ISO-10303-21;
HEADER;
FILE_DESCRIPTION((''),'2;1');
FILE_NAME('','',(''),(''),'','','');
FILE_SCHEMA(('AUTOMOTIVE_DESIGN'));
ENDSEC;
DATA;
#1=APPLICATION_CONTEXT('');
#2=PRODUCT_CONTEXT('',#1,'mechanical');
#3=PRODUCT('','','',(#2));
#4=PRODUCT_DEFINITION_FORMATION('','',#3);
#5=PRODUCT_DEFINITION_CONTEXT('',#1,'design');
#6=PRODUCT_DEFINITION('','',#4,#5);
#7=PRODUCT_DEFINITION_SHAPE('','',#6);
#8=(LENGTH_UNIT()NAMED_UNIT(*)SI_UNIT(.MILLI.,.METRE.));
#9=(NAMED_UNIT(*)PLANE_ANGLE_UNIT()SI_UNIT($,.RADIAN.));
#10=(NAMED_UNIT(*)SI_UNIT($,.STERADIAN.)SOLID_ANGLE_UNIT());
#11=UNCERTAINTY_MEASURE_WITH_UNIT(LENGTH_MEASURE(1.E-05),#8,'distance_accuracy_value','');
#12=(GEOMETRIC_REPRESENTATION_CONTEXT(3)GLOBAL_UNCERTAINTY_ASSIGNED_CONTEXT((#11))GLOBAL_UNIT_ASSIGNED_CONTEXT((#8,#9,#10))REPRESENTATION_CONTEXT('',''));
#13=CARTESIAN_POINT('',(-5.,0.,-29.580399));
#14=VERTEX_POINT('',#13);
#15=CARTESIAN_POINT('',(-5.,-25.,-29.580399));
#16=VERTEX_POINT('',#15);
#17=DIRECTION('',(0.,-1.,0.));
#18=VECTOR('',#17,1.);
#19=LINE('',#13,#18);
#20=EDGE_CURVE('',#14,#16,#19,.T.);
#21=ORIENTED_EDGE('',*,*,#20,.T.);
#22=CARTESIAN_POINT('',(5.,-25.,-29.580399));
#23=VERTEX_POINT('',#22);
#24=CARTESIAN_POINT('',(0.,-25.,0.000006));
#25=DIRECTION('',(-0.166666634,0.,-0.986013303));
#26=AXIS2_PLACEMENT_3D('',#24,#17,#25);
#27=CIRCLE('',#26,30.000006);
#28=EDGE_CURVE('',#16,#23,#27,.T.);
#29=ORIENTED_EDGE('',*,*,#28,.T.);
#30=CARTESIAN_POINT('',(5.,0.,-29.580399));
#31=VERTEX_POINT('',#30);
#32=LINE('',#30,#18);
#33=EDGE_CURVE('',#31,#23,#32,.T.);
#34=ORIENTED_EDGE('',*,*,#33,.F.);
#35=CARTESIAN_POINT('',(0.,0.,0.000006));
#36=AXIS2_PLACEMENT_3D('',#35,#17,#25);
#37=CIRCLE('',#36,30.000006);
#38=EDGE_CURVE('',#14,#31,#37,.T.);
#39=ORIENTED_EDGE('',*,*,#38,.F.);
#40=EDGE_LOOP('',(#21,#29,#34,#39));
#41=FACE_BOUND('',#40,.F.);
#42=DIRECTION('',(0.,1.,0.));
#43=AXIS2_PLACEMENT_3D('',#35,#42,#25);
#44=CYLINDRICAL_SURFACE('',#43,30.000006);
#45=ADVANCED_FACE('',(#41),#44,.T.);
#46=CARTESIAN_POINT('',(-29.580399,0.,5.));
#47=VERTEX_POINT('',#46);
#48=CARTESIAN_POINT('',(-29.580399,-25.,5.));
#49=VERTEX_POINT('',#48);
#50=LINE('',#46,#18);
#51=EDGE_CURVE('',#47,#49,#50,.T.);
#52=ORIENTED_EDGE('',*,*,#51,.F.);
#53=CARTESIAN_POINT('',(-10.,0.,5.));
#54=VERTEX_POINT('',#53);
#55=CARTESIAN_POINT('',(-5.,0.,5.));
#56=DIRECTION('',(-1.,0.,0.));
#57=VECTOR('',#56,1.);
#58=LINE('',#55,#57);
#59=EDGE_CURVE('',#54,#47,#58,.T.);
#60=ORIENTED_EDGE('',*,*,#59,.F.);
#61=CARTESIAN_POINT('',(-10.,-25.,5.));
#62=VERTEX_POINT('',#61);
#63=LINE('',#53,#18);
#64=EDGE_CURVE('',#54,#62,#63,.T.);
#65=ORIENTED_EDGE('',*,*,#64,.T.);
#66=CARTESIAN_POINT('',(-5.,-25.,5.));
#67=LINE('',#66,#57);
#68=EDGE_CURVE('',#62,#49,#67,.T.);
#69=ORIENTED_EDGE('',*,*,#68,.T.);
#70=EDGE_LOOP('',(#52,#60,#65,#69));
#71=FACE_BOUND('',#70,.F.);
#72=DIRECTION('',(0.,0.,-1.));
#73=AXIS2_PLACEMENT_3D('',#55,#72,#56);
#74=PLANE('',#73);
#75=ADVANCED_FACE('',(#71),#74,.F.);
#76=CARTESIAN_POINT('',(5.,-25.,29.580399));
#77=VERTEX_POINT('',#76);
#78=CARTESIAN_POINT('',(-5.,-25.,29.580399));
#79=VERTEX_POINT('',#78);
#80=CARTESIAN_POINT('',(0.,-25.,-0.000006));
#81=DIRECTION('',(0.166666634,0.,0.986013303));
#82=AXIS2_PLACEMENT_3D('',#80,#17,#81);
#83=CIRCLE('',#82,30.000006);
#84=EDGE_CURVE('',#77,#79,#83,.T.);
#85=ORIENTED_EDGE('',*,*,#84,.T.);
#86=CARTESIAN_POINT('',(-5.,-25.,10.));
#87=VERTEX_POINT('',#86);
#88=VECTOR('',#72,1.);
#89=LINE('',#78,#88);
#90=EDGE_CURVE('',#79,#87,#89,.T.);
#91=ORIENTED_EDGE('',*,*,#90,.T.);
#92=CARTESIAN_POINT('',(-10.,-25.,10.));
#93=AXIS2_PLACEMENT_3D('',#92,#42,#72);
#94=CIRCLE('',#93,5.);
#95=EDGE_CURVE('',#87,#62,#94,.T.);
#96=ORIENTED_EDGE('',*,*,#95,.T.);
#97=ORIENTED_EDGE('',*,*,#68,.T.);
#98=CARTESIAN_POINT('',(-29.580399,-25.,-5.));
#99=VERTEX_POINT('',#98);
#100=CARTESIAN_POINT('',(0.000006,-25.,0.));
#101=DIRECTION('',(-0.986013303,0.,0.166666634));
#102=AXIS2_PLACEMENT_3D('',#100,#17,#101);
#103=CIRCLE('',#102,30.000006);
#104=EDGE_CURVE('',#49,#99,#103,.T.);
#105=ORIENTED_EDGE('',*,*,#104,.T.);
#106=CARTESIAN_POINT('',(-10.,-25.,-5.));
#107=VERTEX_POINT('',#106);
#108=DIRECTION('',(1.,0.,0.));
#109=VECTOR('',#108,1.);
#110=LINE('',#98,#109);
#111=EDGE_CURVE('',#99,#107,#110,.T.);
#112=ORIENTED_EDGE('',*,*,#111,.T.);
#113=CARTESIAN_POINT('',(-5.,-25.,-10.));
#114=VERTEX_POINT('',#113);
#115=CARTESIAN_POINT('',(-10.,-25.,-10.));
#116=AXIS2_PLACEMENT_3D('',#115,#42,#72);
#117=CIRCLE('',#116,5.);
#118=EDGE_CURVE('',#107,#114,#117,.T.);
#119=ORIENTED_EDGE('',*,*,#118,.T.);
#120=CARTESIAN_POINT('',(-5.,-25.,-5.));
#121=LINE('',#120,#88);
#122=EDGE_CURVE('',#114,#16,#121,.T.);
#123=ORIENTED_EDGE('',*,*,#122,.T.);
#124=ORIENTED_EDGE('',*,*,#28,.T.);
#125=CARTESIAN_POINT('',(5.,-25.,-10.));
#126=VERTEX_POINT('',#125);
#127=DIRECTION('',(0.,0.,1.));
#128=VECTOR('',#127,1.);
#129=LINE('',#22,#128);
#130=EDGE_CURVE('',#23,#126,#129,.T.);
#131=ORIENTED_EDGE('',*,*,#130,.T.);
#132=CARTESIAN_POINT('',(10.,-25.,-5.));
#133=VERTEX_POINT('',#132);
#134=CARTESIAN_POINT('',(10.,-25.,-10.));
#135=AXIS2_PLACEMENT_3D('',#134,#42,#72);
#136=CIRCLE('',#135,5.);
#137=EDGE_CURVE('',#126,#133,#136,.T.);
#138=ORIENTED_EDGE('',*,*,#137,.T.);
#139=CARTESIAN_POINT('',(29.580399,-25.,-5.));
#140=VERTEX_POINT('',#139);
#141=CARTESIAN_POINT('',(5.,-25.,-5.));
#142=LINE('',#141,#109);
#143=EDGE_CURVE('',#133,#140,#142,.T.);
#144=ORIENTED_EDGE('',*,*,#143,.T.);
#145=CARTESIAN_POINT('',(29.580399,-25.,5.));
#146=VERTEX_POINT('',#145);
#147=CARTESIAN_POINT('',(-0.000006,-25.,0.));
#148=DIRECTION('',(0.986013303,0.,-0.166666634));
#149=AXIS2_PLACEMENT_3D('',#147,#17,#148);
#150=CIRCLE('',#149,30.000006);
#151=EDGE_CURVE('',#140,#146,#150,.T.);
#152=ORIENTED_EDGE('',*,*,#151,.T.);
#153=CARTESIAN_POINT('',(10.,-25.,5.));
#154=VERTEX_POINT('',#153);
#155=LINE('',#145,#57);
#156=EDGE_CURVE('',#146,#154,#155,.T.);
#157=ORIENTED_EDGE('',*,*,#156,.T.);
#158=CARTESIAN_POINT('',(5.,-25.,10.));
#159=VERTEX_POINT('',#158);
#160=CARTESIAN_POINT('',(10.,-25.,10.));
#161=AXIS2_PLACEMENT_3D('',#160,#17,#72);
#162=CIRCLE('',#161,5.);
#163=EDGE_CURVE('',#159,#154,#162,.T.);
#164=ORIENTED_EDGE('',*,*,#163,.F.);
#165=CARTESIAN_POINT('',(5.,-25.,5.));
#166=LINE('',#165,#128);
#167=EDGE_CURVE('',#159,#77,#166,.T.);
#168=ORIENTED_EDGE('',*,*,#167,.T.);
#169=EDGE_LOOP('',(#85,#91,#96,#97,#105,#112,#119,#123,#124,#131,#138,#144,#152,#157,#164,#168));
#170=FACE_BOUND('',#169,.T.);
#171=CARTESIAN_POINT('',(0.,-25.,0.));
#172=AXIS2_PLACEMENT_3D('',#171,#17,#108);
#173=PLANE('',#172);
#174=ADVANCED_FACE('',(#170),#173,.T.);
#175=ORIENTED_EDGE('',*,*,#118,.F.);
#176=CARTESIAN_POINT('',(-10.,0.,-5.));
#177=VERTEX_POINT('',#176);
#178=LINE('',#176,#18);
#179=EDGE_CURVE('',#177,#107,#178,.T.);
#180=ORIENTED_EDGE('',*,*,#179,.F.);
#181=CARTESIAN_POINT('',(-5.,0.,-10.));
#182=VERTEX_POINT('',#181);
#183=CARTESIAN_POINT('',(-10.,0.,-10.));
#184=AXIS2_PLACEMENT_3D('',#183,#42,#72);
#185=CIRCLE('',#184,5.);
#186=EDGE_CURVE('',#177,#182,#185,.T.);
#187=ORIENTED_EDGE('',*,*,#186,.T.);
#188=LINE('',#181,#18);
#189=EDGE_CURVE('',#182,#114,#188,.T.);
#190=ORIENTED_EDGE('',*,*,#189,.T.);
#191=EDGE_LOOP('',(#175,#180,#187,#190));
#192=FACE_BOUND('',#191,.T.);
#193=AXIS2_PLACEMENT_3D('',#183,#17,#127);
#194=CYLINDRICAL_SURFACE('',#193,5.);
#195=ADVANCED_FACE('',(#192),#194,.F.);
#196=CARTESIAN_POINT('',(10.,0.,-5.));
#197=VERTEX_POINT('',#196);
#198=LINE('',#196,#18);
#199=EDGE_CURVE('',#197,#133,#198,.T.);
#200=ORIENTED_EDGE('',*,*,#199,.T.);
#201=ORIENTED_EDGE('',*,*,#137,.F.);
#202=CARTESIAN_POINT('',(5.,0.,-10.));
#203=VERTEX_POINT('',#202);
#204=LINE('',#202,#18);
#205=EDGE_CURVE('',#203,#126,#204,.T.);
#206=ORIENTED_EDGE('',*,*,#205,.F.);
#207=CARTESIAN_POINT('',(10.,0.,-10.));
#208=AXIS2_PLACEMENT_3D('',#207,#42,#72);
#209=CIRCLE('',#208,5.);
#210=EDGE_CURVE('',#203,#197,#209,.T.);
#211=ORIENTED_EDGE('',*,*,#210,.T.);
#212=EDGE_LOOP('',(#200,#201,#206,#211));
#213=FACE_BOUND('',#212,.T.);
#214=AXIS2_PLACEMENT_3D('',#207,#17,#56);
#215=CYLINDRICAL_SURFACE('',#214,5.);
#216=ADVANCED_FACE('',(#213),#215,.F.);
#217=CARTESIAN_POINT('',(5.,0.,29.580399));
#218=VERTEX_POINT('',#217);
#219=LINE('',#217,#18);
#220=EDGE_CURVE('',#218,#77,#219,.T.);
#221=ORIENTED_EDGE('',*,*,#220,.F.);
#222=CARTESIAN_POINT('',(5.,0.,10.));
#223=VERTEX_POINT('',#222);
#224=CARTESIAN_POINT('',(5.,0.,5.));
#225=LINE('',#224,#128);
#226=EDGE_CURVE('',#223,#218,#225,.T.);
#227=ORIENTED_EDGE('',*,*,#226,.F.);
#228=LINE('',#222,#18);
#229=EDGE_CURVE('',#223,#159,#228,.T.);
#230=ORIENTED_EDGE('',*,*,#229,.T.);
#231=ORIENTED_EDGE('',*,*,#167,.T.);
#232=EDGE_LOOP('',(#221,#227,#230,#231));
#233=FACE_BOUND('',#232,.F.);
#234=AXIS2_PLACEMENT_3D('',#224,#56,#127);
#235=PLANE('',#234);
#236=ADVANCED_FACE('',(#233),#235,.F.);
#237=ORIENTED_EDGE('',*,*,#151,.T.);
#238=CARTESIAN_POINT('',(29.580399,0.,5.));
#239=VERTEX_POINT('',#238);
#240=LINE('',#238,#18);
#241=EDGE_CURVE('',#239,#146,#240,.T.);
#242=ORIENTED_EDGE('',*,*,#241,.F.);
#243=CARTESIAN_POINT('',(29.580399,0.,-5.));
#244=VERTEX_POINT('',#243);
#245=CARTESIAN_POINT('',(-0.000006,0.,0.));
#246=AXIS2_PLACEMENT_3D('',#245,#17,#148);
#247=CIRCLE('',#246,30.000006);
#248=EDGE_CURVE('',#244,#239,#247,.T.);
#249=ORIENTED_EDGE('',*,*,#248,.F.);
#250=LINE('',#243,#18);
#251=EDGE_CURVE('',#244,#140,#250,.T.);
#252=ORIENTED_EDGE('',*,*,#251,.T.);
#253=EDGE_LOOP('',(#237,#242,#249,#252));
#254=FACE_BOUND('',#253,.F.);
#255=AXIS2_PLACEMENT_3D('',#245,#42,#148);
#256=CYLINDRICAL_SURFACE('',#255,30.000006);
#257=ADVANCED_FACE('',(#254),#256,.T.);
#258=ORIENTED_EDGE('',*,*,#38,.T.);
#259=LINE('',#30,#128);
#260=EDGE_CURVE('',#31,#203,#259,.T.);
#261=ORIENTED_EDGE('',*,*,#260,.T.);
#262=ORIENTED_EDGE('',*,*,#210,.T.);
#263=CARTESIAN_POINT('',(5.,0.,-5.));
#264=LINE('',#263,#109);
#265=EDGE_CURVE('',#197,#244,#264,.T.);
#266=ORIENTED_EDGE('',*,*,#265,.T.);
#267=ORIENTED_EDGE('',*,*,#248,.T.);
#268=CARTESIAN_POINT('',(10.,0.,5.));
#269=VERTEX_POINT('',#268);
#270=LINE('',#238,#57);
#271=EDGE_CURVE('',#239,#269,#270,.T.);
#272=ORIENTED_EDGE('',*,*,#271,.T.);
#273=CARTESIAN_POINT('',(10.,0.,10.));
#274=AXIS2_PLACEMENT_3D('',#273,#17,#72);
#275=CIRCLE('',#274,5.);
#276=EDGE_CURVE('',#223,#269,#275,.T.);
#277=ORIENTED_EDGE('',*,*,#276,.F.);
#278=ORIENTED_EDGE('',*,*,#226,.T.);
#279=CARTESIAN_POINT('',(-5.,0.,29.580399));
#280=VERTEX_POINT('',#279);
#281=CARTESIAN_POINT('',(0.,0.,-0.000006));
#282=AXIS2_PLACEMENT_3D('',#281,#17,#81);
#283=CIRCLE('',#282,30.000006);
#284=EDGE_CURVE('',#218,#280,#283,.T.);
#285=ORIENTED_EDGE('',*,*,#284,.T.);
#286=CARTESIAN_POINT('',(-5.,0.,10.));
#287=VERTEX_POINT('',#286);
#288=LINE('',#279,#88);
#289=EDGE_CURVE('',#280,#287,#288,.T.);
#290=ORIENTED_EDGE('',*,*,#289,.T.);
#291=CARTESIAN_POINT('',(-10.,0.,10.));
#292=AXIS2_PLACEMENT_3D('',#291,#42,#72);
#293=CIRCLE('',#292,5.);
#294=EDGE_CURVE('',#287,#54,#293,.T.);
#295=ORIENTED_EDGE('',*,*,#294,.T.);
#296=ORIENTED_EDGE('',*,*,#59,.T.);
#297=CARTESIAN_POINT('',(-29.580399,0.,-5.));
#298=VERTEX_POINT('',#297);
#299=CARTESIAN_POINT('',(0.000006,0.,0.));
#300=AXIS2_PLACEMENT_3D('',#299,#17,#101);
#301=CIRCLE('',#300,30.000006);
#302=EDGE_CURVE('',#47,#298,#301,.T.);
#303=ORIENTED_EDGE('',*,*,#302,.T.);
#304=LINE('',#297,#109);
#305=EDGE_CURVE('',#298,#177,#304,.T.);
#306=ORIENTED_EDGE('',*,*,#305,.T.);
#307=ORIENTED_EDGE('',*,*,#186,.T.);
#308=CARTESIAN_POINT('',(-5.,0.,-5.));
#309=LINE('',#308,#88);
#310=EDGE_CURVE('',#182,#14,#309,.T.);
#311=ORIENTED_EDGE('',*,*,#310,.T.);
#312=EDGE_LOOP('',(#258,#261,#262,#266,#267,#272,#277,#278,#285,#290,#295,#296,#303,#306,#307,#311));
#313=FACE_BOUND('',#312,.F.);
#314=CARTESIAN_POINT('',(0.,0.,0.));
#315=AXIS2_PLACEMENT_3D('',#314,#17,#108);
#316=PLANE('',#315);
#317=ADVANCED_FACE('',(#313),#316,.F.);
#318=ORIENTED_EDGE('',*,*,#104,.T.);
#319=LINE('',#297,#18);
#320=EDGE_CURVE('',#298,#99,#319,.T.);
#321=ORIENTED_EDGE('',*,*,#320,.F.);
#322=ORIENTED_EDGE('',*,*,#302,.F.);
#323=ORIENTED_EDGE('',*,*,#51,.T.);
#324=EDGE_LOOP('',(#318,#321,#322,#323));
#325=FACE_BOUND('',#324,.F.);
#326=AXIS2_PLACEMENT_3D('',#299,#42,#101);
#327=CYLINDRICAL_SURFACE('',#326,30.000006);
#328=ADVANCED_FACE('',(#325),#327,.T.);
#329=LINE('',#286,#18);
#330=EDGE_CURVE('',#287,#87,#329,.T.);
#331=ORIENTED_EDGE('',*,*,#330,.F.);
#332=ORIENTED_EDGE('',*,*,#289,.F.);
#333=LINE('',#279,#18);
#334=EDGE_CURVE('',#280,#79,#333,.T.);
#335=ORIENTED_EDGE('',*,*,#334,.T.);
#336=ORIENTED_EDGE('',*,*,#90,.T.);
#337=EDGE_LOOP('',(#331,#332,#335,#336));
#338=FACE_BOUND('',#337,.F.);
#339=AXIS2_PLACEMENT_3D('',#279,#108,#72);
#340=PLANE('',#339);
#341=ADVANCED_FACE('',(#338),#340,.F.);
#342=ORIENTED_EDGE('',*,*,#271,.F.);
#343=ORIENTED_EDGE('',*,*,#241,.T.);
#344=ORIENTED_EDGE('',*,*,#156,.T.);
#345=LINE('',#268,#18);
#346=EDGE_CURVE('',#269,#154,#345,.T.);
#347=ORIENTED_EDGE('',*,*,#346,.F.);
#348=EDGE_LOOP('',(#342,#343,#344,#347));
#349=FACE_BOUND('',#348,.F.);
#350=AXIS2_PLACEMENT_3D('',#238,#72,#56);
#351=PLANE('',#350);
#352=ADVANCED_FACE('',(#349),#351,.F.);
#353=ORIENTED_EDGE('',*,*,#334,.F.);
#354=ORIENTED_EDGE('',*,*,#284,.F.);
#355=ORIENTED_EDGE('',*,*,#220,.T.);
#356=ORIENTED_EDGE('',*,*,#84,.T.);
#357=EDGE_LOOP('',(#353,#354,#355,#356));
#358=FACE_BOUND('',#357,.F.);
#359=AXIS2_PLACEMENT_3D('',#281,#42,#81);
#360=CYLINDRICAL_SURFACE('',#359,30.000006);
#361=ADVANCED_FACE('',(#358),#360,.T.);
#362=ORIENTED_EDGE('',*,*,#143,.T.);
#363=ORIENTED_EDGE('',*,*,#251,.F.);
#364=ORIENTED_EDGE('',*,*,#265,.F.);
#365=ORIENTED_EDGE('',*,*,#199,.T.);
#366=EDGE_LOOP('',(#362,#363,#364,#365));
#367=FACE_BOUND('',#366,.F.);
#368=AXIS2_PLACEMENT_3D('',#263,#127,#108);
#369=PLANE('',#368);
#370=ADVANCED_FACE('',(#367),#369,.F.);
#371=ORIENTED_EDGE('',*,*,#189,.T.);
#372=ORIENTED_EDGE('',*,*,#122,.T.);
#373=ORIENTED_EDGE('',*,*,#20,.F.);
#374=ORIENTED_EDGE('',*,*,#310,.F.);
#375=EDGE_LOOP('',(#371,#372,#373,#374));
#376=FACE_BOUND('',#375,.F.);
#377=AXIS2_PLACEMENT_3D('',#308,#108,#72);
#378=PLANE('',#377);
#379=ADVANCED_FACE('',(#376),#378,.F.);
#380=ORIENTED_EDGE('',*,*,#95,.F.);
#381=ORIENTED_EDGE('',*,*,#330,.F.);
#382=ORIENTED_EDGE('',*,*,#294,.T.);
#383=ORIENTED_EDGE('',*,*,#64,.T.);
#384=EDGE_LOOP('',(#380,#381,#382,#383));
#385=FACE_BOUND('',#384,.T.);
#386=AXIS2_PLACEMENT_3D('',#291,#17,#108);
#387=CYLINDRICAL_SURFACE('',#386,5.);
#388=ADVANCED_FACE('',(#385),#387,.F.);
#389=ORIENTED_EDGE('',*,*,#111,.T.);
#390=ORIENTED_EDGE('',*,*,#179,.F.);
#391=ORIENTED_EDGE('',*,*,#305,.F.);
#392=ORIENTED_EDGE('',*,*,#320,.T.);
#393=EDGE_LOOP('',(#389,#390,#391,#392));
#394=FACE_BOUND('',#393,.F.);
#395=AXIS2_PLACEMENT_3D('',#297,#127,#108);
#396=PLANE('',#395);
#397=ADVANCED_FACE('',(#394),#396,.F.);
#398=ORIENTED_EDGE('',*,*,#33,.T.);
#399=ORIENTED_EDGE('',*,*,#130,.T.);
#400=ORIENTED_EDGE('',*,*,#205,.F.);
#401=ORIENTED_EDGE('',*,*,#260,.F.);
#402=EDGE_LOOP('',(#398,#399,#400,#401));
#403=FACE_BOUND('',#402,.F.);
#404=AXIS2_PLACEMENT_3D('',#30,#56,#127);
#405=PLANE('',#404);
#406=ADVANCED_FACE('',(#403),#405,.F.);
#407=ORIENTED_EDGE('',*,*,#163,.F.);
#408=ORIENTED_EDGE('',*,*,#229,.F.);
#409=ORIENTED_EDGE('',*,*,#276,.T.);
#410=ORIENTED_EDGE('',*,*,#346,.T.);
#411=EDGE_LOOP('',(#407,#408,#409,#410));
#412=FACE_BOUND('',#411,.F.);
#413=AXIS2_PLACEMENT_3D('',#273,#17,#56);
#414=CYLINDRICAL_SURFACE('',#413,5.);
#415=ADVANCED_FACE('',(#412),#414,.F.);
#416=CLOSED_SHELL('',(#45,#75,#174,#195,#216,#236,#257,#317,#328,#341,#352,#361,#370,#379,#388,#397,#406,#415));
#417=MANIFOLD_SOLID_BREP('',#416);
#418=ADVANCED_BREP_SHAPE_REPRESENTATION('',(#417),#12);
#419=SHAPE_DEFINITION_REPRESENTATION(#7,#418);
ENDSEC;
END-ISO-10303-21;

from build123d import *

# Parameters (mm, degrees)
F1_DEPTH = 25
F2_R     = 5


with BuildPart() as f1:
    # F0 (on Front) → F1 (new body)
    with BuildSketch(Plane.XZ):
        with BuildLine():
            Line((5, 5), (5, 29.580399))
            ThreePointArc((5, 29.580399), (0, 30), (-5, 29.580399))
            Line((-5, 29.580399), (-5, 5))
            Line((-5, 5), (-29.580399, 5))
            ThreePointArc((-29.580399, 5), (-30, 0), (-29.580399, -5))
            Line((-29.580399, -5), (-5, -5))
            Line((-5, -5), (-5, -29.580399))
            ThreePointArc((-5, -29.580399), (0, -30), (5, -29.580399))
            Line((5, -29.580399), (5, -5))
            Line((5, -5), (29.580399, -5))
            ThreePointArc((29.580399, -5), (30, 0), (29.580399, 5))
            Line((29.580399, 5), (5, 5))
        make_face()
    extrude(amount=F1_DEPTH)

    # F2
    f2_edges = [f1.edges().sort_by_distance(p)[0] for p in [
        (-5, -12.5, 5),
        (5, -12.5, 5),
        (-5, -12.5, -5),
        (5, -12.5, -5),
    ]]
    fillet(f2_edges, radius=F2_R)


solid = f1.part
